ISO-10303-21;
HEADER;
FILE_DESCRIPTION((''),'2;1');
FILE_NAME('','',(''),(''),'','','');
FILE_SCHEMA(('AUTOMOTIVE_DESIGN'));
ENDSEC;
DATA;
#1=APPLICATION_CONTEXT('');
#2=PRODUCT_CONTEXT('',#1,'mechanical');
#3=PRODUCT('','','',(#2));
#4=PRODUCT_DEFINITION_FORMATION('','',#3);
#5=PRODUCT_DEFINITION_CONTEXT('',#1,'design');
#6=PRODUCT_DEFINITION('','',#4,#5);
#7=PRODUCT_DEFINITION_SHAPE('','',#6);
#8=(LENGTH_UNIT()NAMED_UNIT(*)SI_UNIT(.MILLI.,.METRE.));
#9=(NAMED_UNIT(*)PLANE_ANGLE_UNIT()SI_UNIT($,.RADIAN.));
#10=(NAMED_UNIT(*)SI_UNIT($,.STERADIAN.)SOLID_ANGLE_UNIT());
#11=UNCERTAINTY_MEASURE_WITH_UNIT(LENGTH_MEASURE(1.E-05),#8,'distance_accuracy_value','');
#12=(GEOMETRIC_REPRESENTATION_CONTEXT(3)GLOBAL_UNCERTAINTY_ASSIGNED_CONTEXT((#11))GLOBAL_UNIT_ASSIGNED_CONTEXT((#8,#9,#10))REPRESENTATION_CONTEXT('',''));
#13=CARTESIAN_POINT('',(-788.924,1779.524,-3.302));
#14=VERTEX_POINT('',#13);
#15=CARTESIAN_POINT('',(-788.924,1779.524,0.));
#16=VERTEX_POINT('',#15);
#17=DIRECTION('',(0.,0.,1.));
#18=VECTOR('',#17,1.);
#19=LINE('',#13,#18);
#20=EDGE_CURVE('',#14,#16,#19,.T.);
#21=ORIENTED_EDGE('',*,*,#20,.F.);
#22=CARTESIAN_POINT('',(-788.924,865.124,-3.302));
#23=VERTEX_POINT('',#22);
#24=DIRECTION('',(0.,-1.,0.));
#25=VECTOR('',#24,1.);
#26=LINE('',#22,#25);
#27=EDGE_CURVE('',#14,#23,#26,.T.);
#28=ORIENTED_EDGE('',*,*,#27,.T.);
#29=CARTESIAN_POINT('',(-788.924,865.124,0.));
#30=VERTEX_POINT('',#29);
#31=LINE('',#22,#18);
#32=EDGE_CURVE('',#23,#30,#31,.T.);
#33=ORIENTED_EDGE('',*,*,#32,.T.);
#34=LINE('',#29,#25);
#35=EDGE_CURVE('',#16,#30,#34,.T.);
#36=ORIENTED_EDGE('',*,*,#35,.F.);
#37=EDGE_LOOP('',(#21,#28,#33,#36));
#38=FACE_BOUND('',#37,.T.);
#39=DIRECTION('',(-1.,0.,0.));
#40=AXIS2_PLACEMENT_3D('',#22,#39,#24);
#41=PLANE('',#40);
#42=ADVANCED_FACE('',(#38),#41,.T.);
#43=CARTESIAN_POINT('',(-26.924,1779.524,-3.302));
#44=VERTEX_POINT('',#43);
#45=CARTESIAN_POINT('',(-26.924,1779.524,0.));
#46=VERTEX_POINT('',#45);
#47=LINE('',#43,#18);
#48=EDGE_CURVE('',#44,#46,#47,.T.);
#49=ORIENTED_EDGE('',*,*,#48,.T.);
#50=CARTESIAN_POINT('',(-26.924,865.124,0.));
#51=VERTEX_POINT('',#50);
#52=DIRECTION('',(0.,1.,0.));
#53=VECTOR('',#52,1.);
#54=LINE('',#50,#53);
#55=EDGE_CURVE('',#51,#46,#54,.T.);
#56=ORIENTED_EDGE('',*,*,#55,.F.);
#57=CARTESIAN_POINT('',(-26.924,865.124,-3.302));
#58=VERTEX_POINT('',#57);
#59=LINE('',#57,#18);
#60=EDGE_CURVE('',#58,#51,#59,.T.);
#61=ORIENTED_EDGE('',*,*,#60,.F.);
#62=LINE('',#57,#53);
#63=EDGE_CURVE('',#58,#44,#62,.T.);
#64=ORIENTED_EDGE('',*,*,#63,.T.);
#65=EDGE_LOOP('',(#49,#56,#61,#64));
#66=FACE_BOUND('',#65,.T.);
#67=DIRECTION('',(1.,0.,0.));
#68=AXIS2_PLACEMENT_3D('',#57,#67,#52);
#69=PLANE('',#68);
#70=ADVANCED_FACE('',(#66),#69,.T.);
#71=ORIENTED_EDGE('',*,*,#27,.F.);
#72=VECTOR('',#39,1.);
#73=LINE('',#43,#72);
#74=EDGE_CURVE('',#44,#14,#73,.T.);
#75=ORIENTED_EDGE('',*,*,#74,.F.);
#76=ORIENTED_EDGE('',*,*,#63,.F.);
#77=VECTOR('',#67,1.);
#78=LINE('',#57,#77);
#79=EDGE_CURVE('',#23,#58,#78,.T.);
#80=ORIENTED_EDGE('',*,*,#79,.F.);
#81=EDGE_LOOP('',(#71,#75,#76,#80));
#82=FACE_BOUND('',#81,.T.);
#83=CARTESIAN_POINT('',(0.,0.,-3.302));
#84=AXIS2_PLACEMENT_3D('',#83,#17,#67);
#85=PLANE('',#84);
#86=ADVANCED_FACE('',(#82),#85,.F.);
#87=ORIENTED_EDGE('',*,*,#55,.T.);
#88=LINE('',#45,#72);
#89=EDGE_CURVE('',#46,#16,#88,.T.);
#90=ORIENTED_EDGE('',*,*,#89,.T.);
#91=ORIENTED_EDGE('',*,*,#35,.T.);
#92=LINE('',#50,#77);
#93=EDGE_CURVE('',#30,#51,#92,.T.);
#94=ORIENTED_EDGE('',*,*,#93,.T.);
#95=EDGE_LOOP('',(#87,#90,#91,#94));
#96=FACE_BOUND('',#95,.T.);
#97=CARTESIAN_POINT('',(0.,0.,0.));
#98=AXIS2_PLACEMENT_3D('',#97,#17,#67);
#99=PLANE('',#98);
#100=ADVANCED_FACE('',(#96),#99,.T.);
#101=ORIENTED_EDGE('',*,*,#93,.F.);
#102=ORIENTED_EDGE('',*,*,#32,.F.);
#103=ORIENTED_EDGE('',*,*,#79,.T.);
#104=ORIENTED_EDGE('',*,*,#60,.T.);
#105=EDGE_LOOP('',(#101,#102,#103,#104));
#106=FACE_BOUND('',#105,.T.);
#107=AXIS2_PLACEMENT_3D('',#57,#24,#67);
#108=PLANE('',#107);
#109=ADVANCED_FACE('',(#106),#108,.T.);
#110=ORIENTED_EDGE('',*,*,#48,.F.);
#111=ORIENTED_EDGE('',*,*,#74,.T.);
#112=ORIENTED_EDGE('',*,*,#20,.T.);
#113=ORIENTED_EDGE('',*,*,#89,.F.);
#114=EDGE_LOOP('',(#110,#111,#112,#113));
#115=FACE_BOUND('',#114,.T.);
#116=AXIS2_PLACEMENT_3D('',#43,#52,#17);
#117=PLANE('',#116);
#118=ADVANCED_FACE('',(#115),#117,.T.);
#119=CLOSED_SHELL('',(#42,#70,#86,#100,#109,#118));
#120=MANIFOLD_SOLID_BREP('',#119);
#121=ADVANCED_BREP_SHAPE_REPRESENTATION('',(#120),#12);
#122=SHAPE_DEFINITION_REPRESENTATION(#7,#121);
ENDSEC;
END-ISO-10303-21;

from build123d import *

# Parameters (mm, degrees)
SKETCH1_W           = 762
SKETCH1_H           = 914.4
BOSS_EXTRUDE1_DEPTH = 3.302


with BuildPart() as part:
    # Sketch1 → Boss-Extrude1 (new body)
    with BuildSketch(Plane.XY):
        with Locations((-407.924, 1322.324)):
            Rectangle(SKETCH1_W, SKETCH1_H)
    extrude(amount=-BOSS_EXTRUDE1_DEPTH)


solid = part.part
